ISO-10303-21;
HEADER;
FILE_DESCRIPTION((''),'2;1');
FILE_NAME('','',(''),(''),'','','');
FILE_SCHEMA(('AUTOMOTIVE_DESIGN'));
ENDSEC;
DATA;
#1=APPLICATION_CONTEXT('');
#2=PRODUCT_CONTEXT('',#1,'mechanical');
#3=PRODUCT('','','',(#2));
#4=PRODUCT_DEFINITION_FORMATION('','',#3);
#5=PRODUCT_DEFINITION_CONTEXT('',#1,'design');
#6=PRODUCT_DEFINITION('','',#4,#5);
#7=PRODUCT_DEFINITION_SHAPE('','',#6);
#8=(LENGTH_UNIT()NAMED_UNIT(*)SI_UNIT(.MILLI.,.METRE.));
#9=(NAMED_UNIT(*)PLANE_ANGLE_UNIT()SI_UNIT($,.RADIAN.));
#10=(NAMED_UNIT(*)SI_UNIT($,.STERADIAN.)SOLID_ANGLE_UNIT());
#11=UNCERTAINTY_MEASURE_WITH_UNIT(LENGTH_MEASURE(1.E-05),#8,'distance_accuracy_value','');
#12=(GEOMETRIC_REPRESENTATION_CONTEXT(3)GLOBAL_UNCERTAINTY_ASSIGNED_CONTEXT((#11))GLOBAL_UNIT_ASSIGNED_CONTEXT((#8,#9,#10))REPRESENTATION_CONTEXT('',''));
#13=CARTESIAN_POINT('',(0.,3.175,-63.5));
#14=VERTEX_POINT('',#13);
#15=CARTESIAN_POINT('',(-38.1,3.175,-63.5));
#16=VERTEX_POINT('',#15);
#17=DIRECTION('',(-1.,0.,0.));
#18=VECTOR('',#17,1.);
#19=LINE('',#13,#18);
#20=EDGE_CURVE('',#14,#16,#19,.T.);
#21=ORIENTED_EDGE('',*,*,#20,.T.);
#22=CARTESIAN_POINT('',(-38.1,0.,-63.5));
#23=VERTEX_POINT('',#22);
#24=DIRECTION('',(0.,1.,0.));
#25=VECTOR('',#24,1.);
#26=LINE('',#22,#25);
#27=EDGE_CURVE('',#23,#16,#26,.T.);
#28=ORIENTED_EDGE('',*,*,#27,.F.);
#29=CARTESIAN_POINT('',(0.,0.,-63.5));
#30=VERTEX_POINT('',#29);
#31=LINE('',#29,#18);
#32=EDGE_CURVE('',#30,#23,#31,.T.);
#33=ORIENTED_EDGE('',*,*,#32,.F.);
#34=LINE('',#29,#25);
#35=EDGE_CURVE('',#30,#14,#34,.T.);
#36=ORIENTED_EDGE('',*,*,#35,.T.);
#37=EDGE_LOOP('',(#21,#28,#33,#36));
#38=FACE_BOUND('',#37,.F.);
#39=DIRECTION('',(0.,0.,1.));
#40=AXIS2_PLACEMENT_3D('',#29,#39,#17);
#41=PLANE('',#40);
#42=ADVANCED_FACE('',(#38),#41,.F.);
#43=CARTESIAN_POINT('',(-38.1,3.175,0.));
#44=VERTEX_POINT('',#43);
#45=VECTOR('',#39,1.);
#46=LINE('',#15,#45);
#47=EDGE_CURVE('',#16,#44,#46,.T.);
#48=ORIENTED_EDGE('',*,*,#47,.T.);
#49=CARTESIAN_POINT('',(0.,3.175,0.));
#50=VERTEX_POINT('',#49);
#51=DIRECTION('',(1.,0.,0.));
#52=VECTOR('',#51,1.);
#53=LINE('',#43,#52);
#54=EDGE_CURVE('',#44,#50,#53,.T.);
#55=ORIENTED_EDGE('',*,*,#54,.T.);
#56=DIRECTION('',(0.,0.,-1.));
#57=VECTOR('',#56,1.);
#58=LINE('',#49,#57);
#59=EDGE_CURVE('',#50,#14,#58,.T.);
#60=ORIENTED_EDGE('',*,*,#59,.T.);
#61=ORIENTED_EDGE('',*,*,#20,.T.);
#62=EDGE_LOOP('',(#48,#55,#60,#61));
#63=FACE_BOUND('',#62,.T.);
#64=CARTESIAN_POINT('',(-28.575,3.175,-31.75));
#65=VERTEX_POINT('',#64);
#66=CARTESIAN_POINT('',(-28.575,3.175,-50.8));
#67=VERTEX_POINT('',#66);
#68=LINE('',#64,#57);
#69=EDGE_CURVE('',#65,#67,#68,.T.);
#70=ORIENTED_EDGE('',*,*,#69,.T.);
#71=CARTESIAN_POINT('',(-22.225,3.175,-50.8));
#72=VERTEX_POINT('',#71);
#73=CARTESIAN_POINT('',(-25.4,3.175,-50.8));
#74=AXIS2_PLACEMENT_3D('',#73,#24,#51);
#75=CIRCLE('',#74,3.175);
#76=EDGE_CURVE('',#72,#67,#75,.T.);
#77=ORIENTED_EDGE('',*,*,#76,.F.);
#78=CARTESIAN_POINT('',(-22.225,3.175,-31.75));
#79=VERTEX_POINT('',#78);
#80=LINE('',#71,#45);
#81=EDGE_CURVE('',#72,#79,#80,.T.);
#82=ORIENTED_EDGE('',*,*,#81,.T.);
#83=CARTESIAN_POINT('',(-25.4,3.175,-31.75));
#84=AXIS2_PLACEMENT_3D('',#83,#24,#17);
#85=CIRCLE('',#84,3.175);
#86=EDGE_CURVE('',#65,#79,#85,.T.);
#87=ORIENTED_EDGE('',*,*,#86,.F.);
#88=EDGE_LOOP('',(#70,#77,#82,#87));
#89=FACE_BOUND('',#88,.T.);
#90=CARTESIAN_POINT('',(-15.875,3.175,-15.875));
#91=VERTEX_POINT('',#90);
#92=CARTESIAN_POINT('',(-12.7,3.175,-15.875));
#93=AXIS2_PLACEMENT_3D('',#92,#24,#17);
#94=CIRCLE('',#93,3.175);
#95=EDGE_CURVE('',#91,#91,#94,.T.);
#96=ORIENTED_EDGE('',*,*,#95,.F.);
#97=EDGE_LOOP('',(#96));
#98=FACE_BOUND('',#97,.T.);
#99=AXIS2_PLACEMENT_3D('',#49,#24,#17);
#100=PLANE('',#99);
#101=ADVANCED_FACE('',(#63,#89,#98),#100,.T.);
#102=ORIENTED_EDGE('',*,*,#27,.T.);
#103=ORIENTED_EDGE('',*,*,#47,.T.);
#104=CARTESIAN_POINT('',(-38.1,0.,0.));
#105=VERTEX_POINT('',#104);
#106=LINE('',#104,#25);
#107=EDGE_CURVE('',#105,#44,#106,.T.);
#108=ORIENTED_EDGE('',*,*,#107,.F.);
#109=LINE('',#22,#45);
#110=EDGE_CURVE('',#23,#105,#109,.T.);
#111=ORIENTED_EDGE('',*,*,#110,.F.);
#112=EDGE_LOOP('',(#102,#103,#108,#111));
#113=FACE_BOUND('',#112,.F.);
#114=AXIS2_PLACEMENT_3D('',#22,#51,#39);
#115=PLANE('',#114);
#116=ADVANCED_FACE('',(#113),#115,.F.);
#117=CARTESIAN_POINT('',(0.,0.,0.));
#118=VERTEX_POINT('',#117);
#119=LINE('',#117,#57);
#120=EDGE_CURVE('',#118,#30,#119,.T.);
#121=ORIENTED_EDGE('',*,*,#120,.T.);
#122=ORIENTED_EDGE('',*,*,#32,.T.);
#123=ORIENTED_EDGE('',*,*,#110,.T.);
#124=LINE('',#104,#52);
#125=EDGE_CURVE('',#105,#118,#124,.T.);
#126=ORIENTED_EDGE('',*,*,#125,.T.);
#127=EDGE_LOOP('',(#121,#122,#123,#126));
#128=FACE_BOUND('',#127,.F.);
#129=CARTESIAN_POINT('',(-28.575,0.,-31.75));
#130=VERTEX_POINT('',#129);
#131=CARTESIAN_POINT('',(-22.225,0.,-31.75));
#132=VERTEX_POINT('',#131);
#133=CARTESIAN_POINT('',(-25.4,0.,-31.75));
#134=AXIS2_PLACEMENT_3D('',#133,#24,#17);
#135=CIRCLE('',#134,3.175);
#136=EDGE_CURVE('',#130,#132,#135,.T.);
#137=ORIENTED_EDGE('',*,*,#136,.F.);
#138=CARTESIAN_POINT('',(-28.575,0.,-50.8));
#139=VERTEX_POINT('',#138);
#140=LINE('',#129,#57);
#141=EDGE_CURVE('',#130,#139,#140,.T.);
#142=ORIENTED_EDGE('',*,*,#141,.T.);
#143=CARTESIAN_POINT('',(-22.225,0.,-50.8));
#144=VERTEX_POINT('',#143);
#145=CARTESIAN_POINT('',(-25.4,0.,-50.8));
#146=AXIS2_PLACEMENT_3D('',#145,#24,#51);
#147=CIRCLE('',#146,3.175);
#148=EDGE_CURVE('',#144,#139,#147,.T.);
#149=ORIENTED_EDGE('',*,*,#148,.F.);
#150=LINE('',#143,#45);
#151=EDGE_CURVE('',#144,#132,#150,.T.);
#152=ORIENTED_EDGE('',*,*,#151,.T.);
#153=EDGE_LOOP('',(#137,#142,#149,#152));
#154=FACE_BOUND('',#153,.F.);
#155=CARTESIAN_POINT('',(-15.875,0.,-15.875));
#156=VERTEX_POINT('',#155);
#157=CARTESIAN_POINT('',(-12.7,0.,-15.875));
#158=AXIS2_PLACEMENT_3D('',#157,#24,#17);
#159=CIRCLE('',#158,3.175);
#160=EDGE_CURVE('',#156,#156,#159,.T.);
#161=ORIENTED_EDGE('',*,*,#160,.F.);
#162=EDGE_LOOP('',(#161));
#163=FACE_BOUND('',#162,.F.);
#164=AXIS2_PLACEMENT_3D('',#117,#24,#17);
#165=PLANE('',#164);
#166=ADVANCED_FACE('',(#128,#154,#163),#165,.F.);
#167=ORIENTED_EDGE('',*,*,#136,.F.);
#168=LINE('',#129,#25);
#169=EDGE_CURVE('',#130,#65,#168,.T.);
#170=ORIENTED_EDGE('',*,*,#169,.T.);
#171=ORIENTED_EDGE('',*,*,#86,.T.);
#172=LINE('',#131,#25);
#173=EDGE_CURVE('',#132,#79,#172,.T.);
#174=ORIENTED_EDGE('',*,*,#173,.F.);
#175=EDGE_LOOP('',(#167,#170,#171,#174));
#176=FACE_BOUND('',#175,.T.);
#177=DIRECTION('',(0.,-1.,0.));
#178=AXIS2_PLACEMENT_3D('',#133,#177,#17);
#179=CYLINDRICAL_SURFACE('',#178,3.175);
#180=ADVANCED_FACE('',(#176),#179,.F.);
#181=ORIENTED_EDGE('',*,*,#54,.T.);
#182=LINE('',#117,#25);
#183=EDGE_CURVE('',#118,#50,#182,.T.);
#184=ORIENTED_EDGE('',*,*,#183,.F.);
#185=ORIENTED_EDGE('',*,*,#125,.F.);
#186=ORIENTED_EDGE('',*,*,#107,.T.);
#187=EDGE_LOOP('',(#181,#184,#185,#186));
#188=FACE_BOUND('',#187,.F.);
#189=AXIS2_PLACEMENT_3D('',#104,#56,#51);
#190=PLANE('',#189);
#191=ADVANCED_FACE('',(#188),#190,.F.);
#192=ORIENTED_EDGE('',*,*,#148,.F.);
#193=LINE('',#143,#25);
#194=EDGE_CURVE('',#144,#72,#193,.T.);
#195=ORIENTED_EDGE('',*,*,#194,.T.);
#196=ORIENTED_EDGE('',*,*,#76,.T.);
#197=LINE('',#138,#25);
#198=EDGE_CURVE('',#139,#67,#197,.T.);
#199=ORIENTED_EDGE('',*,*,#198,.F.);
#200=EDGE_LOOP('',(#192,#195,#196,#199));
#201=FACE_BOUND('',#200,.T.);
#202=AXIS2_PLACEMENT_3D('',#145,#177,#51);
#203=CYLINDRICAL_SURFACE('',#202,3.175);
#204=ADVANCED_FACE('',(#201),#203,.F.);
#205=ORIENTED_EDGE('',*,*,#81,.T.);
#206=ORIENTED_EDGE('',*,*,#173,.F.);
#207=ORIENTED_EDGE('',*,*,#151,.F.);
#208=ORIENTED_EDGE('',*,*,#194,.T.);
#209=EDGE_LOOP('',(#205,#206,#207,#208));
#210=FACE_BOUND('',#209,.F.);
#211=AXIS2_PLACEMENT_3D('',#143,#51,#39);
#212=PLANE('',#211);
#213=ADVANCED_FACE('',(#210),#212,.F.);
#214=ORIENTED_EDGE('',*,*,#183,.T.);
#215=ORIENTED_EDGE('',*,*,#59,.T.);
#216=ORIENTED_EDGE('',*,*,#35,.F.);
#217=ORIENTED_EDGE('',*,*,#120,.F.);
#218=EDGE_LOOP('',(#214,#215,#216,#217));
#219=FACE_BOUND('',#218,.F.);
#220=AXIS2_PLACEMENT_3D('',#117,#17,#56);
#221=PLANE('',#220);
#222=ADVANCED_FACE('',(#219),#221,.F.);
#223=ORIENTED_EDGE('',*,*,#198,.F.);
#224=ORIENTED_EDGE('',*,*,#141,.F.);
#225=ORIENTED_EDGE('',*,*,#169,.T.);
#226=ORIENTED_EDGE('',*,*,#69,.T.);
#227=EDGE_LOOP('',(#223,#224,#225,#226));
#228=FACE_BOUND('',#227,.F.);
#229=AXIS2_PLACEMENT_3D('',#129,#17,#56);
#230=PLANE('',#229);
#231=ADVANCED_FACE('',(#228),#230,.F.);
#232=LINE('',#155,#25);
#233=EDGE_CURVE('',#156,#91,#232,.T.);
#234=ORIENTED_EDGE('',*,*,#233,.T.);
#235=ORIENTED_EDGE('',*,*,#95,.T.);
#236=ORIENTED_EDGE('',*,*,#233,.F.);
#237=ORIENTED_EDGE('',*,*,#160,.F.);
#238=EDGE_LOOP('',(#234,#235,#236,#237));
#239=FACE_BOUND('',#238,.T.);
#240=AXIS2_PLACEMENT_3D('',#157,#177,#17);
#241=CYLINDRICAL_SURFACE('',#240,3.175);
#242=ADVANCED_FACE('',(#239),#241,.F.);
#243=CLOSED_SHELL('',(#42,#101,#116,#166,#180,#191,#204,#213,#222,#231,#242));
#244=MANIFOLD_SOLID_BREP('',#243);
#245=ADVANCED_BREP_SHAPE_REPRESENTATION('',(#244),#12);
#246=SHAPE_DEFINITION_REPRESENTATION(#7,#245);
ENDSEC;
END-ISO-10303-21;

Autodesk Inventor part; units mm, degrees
ref_plane "YZ Plane" through (0, 0, 0) normal (1, 0, 0) x (0, 1, 0)
ref_plane "XZ Plane" through (0, 0, 0) normal (0, 1, 0) x (-1, 0, 0)
ref_plane "XY Plane" through (0, 0, 0) normal (0, 0, 1) x (1, 0, 0)
sketch "Sketch1" plane through (0, 0, 0) normal (0, 1, 0) x (-1, 0, 0)
  line L0 (0, -63.5) -> (38.1, -63.5)
  line L1 (38.1, -63.5) -> (38.1, 0)
  line L2 (38.1, 0) -> (0, 0)
  line L3 (0, 0) -> (0, -63.5)
  line L4 (28.575, -31.75) -> (28.575, -50.8)
  line L5 (22.225, -50.8) -> (22.225, -31.75)
  arc A0 (28.575, -31.75) -> (22.225, -31.75) centre (25.4, -31.75) ccw
  arc A1 (22.225, -50.8) -> (28.575, -50.8) centre (25.4, -50.8) ccw
  circle A2 centre (12.7, -15.875) radius 3.175
  dimension "d0" = 38.1
  dimension "d2" = 63.5
  dimension "d3" = 19.05
  dimension "d4" = 50.8
  dimension "d5" = 12.7
  dimension "d6" = 15.875
  dimension "d7" = 25.4
  dimension "d10" = 3.175
  dimension "d11" = 3.175
  dimension "d12" = 6.35
extrude "Extrusion1" add sketch "Sketch1" along normal blind 3.175
equation "\"d2\" = 1.66667 * d0"
equation "\"d3\" = 0.5 * d0"
equation "\"d4\" = 0.8 * d2"
equation "\"d5\" = 0.333333 * d0"
equation "\"d6\" = 0.25 * d2"
equation "\"d7\" = 0.666667 * d0"
equation "\"d10\" = d8"
equation "\"d11\" = d8"
equation "\"d12\" = 2 * d8"
equation "\"d8\" = 0.05 * d2"
properties part number "8.2 Q1"
